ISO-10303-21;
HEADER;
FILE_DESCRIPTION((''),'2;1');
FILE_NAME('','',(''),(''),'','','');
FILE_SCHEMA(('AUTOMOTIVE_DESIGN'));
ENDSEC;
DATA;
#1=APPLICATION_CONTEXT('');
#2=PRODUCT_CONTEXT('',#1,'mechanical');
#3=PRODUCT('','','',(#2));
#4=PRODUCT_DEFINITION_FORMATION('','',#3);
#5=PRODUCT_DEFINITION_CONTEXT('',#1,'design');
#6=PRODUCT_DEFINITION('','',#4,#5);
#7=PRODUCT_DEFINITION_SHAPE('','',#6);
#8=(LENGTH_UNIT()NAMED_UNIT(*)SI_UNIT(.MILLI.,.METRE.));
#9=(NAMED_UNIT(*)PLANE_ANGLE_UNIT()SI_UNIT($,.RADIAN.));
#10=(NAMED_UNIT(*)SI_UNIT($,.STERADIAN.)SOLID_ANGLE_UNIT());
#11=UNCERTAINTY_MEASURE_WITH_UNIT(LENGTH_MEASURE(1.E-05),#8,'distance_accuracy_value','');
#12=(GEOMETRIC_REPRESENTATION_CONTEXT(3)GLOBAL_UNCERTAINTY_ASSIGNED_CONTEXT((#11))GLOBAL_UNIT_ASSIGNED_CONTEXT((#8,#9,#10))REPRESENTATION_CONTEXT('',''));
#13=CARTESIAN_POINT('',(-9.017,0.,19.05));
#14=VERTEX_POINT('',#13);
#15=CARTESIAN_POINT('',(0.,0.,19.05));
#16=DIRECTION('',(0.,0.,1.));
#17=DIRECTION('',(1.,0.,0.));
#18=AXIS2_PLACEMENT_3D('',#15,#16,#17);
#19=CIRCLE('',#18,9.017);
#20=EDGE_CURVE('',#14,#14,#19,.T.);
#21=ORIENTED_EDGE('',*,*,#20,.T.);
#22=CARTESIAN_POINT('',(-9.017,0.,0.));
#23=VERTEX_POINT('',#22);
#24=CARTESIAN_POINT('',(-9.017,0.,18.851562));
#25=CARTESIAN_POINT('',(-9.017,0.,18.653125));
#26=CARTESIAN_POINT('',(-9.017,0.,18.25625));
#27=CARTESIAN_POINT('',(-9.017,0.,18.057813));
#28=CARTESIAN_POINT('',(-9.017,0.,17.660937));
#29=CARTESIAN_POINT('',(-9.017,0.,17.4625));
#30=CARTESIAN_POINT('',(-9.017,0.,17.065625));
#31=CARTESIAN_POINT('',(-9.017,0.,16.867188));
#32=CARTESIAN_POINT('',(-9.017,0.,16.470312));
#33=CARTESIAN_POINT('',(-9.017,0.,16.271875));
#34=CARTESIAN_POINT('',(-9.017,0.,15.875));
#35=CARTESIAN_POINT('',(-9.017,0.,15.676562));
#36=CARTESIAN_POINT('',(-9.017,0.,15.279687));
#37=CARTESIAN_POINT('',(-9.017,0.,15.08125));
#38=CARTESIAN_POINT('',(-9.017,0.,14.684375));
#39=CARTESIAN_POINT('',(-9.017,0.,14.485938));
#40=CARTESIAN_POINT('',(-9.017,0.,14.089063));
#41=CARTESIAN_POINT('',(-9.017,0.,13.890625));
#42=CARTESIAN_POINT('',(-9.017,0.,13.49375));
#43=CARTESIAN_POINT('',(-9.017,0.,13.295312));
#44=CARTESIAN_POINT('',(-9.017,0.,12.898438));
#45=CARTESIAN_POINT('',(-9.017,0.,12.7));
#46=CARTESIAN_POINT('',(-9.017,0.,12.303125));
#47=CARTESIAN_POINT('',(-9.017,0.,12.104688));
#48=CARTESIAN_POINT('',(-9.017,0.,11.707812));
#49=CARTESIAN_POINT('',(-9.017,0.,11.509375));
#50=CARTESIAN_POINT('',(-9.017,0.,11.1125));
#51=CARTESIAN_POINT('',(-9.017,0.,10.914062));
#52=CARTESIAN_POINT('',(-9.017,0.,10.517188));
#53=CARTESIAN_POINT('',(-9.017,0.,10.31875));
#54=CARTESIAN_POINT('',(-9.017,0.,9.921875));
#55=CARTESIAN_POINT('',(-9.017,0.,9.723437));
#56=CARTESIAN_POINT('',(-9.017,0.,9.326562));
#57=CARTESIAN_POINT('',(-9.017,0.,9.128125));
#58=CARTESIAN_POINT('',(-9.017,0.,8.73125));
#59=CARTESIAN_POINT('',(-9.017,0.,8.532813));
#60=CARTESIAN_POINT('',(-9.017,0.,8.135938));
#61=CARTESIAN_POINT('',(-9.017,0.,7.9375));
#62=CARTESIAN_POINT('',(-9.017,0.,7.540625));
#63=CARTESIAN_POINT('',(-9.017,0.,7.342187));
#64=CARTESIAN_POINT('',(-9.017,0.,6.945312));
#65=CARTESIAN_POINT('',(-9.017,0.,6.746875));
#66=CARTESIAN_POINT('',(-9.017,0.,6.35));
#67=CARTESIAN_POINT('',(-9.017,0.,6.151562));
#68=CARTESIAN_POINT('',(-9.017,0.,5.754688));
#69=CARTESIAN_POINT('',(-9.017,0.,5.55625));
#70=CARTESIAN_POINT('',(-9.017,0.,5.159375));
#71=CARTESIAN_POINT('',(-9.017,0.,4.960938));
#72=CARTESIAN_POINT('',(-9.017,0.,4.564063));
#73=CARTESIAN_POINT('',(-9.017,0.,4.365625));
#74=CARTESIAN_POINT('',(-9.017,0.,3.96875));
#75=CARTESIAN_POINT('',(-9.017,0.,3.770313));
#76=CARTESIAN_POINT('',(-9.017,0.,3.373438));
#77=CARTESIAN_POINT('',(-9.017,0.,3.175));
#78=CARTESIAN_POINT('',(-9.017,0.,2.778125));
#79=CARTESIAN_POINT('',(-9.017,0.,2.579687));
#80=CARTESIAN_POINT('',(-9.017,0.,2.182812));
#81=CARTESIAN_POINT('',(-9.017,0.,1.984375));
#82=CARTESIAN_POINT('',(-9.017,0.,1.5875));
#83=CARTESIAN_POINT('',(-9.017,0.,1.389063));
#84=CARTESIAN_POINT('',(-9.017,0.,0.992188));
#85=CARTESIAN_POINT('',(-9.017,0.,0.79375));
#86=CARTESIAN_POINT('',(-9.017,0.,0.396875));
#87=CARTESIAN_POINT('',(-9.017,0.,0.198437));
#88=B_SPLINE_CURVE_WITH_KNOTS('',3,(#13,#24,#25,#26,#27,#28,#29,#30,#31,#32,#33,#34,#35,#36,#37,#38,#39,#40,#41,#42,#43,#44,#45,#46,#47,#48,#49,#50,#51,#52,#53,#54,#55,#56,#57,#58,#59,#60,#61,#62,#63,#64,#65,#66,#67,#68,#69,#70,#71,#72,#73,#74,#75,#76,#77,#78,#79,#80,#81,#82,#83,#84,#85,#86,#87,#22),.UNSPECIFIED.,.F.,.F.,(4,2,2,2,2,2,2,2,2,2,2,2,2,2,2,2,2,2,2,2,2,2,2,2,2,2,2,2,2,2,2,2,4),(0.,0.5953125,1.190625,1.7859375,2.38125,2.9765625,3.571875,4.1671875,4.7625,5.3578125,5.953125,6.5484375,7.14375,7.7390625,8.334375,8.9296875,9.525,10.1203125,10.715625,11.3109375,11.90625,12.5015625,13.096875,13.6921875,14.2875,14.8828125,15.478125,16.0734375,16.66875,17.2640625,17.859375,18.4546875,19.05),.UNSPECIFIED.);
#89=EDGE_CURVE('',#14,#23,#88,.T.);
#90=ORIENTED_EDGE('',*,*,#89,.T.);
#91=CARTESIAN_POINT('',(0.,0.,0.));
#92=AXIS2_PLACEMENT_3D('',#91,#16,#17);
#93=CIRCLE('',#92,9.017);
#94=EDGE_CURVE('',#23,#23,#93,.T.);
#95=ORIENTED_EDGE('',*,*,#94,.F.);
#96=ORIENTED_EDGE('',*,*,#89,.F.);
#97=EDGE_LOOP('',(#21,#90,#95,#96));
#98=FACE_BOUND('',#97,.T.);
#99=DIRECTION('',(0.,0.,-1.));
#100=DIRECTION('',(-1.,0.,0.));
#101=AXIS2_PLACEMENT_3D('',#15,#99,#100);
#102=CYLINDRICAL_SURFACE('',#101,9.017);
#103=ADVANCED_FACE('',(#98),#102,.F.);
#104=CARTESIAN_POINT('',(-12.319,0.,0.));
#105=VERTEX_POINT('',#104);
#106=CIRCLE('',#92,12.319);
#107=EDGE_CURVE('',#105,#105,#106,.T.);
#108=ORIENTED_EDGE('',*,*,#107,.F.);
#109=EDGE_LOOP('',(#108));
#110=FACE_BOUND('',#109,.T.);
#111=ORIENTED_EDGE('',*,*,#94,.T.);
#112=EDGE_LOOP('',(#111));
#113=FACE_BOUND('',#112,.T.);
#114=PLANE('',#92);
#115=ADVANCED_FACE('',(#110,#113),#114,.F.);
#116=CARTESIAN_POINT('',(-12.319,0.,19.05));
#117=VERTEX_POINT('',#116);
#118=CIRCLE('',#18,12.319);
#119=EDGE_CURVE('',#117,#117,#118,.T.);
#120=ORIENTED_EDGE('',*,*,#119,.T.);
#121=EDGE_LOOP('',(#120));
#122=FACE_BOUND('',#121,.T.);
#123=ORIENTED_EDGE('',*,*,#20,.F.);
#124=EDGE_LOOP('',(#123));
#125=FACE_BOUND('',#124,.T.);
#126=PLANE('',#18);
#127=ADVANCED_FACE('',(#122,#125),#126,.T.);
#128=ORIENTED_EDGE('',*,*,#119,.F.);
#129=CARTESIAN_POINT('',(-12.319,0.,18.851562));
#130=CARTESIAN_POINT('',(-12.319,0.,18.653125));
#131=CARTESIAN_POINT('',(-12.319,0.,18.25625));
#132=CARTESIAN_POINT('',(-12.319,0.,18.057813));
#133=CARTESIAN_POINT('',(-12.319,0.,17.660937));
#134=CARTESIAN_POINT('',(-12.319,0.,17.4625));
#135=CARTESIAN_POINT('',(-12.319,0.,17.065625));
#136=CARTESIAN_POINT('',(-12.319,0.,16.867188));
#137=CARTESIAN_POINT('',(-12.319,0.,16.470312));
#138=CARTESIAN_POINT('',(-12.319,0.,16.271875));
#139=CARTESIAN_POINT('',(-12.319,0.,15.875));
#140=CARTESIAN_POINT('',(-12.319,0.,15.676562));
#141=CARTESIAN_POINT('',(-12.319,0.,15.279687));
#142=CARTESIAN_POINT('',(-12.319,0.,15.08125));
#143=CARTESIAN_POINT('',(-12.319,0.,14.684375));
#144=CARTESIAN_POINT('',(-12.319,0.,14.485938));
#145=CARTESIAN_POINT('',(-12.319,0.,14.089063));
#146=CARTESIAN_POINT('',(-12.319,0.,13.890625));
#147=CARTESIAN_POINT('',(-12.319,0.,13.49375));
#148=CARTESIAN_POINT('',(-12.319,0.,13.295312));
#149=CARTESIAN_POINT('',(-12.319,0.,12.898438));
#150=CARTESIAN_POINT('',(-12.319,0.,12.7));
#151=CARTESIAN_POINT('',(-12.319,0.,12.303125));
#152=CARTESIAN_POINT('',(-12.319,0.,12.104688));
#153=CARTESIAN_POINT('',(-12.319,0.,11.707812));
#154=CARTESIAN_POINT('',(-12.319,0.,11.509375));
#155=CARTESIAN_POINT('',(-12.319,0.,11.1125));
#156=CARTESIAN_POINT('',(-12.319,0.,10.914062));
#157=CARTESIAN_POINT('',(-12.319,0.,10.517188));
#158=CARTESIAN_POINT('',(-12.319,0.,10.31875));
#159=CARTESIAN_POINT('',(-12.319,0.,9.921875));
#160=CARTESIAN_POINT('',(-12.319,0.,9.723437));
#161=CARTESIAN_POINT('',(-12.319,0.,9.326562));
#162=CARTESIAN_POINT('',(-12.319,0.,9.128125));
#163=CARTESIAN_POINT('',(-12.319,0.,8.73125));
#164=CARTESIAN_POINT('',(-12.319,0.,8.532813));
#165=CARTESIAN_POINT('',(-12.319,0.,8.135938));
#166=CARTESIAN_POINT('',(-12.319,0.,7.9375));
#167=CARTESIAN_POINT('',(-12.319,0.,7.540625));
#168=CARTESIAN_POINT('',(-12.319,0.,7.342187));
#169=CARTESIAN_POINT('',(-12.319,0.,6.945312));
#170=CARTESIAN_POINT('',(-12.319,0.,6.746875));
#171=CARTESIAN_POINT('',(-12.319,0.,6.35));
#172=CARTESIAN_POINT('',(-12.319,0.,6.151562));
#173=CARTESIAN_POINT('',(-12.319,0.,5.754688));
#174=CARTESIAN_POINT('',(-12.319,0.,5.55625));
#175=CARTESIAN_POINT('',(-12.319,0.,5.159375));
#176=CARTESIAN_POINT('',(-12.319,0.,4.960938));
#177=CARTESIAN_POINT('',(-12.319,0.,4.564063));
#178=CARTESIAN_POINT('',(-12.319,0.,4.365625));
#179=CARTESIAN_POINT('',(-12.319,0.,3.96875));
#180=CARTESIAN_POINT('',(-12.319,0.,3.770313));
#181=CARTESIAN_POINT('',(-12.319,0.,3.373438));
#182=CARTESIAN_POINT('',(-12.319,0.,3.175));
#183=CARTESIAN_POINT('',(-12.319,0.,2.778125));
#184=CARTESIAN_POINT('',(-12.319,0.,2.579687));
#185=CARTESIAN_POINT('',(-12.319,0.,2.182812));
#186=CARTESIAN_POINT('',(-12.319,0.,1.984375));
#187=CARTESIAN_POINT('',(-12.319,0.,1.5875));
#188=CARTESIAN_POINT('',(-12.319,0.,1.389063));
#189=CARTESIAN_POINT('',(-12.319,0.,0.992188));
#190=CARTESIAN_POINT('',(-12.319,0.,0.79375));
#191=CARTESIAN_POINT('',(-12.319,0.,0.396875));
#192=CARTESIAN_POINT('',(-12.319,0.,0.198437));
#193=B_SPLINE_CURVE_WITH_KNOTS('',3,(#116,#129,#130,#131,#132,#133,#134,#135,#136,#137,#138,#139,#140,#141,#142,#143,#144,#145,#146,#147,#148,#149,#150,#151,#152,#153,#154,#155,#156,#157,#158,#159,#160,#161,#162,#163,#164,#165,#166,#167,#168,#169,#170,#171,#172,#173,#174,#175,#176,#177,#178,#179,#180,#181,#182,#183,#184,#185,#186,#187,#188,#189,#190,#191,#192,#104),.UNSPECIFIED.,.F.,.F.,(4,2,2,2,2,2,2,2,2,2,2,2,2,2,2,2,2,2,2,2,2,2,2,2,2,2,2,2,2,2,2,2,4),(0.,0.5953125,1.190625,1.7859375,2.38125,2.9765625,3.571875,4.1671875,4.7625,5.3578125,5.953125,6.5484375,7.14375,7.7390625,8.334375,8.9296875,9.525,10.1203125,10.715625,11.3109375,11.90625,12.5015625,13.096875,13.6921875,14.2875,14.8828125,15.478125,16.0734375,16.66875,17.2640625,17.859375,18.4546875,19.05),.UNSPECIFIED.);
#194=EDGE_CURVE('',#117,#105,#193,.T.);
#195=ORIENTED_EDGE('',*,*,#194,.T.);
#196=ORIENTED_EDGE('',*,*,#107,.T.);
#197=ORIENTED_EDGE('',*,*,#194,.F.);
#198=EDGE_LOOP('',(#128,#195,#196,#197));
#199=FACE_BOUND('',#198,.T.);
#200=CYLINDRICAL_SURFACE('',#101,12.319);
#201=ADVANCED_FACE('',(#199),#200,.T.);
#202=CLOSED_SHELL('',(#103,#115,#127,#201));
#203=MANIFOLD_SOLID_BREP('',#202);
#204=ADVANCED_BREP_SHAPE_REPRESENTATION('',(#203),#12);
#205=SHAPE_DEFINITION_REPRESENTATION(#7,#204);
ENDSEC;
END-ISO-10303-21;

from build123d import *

# Parameters (mm, degrees)
SKETCH1_R           = 12.319
SKETCH1_R_2         = 9.017
BOSS_EXTRUDE1_DEPTH = 19.05


with BuildPart() as part:
    # Sketch1 → Boss-Extrude1 (new body)
    with BuildSketch(Plane.XY):
        Circle(SKETCH1_R)
        Circle(SKETCH1_R_2, mode=Mode.SUBTRACT)
    extrude(amount=BOSS_EXTRUDE1_DEPTH)


solid = part.part
